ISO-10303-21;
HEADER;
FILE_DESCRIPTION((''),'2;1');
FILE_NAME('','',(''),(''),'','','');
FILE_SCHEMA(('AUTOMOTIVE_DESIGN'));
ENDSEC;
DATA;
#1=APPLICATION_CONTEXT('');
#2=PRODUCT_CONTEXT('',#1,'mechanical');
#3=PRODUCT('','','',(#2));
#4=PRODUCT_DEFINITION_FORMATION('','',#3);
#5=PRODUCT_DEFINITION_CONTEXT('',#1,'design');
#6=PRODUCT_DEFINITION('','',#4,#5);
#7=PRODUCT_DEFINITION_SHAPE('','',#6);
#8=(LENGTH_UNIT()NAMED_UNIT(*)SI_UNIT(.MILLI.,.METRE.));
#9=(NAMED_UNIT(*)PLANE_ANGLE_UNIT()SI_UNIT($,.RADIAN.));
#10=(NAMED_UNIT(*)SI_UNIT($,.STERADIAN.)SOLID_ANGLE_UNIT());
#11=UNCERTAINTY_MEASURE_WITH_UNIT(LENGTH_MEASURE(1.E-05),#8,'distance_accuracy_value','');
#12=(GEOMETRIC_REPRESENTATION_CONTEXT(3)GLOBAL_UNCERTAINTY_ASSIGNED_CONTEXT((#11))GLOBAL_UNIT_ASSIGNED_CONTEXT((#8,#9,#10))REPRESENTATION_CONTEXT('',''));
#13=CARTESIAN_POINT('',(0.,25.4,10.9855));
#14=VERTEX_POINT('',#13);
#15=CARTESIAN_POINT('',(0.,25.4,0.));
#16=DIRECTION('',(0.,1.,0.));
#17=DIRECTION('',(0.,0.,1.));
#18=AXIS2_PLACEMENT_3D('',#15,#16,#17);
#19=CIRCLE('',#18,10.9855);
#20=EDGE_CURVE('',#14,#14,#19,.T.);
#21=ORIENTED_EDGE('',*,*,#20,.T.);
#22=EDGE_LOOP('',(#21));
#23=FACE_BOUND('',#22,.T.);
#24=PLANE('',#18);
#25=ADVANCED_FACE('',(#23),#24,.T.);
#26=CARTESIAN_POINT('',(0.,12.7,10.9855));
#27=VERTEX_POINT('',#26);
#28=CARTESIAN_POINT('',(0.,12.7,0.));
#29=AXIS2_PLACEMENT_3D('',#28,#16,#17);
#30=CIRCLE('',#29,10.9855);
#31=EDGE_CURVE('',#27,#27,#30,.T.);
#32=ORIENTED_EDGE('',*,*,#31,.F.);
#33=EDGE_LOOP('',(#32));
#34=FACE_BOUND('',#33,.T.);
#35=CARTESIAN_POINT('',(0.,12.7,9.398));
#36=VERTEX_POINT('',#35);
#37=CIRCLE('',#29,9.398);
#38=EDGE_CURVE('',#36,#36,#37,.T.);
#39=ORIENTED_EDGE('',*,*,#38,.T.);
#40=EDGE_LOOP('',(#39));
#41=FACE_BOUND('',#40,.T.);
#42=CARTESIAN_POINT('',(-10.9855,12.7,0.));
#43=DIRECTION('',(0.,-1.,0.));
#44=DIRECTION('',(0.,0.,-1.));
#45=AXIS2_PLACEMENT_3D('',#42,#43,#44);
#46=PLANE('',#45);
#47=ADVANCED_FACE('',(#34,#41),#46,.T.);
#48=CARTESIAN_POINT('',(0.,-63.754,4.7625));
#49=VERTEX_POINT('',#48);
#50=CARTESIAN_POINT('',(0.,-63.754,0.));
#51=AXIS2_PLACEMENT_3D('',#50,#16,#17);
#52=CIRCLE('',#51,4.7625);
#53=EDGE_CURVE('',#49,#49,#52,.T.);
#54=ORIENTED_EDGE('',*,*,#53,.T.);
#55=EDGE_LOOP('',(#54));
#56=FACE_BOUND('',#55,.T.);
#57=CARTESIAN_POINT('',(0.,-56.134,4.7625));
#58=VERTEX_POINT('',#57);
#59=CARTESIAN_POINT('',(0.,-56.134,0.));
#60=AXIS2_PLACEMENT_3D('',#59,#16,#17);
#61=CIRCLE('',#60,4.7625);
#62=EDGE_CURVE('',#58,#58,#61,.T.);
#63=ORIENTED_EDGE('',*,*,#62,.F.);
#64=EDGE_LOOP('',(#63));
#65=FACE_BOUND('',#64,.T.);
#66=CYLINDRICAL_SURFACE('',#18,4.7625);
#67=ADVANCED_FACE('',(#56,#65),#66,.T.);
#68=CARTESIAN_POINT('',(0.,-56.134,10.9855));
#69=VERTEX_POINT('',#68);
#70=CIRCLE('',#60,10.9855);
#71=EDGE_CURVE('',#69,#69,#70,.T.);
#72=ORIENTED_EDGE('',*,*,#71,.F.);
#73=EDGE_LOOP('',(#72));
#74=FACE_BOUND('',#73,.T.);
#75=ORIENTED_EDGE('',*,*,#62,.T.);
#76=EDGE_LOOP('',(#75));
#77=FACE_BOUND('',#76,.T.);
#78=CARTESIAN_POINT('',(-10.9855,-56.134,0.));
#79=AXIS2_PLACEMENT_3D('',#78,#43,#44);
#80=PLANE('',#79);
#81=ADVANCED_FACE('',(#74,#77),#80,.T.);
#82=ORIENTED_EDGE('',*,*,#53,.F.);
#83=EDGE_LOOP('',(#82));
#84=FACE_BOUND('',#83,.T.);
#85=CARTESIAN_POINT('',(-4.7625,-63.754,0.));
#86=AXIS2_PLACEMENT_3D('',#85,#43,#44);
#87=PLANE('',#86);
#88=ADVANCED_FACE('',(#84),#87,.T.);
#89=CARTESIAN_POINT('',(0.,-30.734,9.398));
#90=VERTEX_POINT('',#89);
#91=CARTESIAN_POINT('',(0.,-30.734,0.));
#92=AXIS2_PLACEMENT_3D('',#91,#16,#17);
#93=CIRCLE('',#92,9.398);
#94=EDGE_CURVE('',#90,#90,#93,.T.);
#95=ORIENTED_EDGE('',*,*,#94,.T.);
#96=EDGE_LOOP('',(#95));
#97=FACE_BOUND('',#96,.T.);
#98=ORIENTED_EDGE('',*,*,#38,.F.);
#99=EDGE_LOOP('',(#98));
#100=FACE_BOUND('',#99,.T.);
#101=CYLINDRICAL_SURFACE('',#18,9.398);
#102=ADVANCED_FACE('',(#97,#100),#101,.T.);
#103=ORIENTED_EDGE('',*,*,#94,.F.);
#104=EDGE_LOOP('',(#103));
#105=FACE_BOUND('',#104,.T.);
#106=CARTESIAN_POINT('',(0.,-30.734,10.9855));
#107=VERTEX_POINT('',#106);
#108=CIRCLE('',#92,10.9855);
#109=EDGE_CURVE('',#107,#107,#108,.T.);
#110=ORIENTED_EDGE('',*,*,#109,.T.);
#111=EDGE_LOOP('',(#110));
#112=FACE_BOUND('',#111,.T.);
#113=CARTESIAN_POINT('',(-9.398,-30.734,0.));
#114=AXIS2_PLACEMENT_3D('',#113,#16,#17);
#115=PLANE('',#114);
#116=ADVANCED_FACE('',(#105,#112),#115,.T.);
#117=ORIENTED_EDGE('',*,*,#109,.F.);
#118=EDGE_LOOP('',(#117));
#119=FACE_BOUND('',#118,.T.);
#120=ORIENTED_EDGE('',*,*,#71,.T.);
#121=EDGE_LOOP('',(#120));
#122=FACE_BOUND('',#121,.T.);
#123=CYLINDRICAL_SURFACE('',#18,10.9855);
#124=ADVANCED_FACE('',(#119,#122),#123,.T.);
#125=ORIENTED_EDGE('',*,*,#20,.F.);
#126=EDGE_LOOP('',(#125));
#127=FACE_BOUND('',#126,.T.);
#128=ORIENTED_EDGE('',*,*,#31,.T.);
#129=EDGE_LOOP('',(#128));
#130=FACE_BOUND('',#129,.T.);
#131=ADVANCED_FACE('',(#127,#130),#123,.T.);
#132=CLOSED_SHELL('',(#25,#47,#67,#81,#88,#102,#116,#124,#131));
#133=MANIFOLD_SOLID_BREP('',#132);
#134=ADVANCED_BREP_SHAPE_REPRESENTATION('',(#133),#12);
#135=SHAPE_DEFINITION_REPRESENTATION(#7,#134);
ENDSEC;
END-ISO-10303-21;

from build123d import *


with BuildPart() as part:
    # Sketch1 → Revolve1 (revolve)
    with BuildSketch(Plane.XY):
        Polygon((0, 25.4), (-10.9855, 25.4), (-10.9855, 12.7), (-9.398, 12.7), (-9.398, -30.734), (-10.9855, -30.734), (-10.9855, -56.134), (-4.7625, -56.134), (-4.7625, -63.754), (0, -63.754), align=None)
    revolve(axis=Axis((0, 25.4, 0), (0, -1, 0)))


solid = part.part
